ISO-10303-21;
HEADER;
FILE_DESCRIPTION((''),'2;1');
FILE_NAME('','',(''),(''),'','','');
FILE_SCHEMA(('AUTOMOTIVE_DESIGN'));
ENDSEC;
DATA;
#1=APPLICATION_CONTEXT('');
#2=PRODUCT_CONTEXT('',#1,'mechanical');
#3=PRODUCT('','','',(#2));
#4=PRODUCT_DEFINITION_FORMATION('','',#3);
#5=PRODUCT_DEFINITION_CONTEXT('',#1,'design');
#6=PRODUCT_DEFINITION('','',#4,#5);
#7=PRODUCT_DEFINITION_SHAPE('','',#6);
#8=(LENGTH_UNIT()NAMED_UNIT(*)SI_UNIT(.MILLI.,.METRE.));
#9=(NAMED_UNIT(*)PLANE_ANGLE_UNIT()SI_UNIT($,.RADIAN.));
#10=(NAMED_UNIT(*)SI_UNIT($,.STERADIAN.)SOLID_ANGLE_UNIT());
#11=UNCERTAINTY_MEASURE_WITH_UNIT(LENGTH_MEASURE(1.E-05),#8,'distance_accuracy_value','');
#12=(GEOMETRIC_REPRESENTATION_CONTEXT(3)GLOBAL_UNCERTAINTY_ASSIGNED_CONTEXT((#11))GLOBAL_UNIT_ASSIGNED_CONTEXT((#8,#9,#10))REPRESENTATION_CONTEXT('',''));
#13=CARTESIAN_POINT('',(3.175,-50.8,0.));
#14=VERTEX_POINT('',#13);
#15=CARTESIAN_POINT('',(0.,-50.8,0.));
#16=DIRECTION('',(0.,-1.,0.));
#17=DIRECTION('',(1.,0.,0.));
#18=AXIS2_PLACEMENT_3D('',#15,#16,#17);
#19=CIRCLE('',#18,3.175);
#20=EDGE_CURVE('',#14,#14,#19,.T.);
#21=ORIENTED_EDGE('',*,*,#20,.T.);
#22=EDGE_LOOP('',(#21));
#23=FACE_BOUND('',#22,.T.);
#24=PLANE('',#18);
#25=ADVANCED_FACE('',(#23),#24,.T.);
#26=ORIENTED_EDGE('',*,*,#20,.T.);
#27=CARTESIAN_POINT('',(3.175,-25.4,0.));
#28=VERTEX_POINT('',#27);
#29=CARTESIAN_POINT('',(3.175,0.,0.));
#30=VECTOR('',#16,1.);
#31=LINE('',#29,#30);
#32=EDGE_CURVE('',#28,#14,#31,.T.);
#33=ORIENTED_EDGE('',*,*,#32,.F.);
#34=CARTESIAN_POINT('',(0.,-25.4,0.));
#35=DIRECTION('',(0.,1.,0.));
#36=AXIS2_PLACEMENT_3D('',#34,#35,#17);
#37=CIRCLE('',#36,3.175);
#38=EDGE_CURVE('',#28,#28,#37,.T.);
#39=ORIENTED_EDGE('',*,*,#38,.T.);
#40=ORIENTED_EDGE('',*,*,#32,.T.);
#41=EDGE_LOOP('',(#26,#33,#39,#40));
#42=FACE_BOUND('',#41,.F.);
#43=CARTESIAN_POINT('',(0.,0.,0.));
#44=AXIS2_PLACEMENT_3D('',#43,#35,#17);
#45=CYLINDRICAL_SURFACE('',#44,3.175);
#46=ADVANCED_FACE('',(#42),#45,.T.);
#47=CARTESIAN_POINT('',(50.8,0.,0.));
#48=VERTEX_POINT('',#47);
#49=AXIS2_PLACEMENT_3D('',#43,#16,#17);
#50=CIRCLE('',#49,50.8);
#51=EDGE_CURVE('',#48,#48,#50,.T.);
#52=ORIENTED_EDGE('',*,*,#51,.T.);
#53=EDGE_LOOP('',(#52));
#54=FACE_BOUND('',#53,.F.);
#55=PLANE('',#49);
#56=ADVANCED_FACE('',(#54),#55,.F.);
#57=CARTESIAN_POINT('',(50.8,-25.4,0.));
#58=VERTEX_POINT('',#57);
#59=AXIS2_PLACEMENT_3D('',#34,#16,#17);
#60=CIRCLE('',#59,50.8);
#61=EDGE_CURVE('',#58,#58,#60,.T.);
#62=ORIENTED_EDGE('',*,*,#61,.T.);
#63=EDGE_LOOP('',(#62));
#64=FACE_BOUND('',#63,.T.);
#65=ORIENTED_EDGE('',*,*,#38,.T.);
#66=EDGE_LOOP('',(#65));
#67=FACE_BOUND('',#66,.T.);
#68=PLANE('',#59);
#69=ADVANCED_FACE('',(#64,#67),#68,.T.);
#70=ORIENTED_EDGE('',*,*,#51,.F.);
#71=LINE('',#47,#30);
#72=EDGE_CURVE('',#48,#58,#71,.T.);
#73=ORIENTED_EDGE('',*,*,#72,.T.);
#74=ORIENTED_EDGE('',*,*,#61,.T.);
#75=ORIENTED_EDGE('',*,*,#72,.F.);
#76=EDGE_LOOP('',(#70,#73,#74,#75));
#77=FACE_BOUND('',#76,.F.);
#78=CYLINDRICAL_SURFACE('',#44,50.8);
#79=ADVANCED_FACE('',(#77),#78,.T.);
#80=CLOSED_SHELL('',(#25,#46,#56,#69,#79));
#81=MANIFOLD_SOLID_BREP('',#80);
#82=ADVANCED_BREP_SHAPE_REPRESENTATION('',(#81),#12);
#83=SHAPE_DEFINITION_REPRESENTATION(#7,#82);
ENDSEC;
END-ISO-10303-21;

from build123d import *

# Parameters (mm, degrees)
F0_R     = 50.8
F2_DEPTH = 25.4
F1_R     = 3.175
F3_DEPTH = 50.8


with BuildPart() as f2:
    # F0 (on Front) → F2 (new body)
    with BuildSketch(Plane.XZ):
        Circle(F0_R)
    extrude(amount=F2_DEPTH)

    # F1 (on face) → F3 (join)
    with BuildSketch(Plane.XZ):
        Circle(F1_R)
    extrude(amount=F3_DEPTH)


solid = f2.part
